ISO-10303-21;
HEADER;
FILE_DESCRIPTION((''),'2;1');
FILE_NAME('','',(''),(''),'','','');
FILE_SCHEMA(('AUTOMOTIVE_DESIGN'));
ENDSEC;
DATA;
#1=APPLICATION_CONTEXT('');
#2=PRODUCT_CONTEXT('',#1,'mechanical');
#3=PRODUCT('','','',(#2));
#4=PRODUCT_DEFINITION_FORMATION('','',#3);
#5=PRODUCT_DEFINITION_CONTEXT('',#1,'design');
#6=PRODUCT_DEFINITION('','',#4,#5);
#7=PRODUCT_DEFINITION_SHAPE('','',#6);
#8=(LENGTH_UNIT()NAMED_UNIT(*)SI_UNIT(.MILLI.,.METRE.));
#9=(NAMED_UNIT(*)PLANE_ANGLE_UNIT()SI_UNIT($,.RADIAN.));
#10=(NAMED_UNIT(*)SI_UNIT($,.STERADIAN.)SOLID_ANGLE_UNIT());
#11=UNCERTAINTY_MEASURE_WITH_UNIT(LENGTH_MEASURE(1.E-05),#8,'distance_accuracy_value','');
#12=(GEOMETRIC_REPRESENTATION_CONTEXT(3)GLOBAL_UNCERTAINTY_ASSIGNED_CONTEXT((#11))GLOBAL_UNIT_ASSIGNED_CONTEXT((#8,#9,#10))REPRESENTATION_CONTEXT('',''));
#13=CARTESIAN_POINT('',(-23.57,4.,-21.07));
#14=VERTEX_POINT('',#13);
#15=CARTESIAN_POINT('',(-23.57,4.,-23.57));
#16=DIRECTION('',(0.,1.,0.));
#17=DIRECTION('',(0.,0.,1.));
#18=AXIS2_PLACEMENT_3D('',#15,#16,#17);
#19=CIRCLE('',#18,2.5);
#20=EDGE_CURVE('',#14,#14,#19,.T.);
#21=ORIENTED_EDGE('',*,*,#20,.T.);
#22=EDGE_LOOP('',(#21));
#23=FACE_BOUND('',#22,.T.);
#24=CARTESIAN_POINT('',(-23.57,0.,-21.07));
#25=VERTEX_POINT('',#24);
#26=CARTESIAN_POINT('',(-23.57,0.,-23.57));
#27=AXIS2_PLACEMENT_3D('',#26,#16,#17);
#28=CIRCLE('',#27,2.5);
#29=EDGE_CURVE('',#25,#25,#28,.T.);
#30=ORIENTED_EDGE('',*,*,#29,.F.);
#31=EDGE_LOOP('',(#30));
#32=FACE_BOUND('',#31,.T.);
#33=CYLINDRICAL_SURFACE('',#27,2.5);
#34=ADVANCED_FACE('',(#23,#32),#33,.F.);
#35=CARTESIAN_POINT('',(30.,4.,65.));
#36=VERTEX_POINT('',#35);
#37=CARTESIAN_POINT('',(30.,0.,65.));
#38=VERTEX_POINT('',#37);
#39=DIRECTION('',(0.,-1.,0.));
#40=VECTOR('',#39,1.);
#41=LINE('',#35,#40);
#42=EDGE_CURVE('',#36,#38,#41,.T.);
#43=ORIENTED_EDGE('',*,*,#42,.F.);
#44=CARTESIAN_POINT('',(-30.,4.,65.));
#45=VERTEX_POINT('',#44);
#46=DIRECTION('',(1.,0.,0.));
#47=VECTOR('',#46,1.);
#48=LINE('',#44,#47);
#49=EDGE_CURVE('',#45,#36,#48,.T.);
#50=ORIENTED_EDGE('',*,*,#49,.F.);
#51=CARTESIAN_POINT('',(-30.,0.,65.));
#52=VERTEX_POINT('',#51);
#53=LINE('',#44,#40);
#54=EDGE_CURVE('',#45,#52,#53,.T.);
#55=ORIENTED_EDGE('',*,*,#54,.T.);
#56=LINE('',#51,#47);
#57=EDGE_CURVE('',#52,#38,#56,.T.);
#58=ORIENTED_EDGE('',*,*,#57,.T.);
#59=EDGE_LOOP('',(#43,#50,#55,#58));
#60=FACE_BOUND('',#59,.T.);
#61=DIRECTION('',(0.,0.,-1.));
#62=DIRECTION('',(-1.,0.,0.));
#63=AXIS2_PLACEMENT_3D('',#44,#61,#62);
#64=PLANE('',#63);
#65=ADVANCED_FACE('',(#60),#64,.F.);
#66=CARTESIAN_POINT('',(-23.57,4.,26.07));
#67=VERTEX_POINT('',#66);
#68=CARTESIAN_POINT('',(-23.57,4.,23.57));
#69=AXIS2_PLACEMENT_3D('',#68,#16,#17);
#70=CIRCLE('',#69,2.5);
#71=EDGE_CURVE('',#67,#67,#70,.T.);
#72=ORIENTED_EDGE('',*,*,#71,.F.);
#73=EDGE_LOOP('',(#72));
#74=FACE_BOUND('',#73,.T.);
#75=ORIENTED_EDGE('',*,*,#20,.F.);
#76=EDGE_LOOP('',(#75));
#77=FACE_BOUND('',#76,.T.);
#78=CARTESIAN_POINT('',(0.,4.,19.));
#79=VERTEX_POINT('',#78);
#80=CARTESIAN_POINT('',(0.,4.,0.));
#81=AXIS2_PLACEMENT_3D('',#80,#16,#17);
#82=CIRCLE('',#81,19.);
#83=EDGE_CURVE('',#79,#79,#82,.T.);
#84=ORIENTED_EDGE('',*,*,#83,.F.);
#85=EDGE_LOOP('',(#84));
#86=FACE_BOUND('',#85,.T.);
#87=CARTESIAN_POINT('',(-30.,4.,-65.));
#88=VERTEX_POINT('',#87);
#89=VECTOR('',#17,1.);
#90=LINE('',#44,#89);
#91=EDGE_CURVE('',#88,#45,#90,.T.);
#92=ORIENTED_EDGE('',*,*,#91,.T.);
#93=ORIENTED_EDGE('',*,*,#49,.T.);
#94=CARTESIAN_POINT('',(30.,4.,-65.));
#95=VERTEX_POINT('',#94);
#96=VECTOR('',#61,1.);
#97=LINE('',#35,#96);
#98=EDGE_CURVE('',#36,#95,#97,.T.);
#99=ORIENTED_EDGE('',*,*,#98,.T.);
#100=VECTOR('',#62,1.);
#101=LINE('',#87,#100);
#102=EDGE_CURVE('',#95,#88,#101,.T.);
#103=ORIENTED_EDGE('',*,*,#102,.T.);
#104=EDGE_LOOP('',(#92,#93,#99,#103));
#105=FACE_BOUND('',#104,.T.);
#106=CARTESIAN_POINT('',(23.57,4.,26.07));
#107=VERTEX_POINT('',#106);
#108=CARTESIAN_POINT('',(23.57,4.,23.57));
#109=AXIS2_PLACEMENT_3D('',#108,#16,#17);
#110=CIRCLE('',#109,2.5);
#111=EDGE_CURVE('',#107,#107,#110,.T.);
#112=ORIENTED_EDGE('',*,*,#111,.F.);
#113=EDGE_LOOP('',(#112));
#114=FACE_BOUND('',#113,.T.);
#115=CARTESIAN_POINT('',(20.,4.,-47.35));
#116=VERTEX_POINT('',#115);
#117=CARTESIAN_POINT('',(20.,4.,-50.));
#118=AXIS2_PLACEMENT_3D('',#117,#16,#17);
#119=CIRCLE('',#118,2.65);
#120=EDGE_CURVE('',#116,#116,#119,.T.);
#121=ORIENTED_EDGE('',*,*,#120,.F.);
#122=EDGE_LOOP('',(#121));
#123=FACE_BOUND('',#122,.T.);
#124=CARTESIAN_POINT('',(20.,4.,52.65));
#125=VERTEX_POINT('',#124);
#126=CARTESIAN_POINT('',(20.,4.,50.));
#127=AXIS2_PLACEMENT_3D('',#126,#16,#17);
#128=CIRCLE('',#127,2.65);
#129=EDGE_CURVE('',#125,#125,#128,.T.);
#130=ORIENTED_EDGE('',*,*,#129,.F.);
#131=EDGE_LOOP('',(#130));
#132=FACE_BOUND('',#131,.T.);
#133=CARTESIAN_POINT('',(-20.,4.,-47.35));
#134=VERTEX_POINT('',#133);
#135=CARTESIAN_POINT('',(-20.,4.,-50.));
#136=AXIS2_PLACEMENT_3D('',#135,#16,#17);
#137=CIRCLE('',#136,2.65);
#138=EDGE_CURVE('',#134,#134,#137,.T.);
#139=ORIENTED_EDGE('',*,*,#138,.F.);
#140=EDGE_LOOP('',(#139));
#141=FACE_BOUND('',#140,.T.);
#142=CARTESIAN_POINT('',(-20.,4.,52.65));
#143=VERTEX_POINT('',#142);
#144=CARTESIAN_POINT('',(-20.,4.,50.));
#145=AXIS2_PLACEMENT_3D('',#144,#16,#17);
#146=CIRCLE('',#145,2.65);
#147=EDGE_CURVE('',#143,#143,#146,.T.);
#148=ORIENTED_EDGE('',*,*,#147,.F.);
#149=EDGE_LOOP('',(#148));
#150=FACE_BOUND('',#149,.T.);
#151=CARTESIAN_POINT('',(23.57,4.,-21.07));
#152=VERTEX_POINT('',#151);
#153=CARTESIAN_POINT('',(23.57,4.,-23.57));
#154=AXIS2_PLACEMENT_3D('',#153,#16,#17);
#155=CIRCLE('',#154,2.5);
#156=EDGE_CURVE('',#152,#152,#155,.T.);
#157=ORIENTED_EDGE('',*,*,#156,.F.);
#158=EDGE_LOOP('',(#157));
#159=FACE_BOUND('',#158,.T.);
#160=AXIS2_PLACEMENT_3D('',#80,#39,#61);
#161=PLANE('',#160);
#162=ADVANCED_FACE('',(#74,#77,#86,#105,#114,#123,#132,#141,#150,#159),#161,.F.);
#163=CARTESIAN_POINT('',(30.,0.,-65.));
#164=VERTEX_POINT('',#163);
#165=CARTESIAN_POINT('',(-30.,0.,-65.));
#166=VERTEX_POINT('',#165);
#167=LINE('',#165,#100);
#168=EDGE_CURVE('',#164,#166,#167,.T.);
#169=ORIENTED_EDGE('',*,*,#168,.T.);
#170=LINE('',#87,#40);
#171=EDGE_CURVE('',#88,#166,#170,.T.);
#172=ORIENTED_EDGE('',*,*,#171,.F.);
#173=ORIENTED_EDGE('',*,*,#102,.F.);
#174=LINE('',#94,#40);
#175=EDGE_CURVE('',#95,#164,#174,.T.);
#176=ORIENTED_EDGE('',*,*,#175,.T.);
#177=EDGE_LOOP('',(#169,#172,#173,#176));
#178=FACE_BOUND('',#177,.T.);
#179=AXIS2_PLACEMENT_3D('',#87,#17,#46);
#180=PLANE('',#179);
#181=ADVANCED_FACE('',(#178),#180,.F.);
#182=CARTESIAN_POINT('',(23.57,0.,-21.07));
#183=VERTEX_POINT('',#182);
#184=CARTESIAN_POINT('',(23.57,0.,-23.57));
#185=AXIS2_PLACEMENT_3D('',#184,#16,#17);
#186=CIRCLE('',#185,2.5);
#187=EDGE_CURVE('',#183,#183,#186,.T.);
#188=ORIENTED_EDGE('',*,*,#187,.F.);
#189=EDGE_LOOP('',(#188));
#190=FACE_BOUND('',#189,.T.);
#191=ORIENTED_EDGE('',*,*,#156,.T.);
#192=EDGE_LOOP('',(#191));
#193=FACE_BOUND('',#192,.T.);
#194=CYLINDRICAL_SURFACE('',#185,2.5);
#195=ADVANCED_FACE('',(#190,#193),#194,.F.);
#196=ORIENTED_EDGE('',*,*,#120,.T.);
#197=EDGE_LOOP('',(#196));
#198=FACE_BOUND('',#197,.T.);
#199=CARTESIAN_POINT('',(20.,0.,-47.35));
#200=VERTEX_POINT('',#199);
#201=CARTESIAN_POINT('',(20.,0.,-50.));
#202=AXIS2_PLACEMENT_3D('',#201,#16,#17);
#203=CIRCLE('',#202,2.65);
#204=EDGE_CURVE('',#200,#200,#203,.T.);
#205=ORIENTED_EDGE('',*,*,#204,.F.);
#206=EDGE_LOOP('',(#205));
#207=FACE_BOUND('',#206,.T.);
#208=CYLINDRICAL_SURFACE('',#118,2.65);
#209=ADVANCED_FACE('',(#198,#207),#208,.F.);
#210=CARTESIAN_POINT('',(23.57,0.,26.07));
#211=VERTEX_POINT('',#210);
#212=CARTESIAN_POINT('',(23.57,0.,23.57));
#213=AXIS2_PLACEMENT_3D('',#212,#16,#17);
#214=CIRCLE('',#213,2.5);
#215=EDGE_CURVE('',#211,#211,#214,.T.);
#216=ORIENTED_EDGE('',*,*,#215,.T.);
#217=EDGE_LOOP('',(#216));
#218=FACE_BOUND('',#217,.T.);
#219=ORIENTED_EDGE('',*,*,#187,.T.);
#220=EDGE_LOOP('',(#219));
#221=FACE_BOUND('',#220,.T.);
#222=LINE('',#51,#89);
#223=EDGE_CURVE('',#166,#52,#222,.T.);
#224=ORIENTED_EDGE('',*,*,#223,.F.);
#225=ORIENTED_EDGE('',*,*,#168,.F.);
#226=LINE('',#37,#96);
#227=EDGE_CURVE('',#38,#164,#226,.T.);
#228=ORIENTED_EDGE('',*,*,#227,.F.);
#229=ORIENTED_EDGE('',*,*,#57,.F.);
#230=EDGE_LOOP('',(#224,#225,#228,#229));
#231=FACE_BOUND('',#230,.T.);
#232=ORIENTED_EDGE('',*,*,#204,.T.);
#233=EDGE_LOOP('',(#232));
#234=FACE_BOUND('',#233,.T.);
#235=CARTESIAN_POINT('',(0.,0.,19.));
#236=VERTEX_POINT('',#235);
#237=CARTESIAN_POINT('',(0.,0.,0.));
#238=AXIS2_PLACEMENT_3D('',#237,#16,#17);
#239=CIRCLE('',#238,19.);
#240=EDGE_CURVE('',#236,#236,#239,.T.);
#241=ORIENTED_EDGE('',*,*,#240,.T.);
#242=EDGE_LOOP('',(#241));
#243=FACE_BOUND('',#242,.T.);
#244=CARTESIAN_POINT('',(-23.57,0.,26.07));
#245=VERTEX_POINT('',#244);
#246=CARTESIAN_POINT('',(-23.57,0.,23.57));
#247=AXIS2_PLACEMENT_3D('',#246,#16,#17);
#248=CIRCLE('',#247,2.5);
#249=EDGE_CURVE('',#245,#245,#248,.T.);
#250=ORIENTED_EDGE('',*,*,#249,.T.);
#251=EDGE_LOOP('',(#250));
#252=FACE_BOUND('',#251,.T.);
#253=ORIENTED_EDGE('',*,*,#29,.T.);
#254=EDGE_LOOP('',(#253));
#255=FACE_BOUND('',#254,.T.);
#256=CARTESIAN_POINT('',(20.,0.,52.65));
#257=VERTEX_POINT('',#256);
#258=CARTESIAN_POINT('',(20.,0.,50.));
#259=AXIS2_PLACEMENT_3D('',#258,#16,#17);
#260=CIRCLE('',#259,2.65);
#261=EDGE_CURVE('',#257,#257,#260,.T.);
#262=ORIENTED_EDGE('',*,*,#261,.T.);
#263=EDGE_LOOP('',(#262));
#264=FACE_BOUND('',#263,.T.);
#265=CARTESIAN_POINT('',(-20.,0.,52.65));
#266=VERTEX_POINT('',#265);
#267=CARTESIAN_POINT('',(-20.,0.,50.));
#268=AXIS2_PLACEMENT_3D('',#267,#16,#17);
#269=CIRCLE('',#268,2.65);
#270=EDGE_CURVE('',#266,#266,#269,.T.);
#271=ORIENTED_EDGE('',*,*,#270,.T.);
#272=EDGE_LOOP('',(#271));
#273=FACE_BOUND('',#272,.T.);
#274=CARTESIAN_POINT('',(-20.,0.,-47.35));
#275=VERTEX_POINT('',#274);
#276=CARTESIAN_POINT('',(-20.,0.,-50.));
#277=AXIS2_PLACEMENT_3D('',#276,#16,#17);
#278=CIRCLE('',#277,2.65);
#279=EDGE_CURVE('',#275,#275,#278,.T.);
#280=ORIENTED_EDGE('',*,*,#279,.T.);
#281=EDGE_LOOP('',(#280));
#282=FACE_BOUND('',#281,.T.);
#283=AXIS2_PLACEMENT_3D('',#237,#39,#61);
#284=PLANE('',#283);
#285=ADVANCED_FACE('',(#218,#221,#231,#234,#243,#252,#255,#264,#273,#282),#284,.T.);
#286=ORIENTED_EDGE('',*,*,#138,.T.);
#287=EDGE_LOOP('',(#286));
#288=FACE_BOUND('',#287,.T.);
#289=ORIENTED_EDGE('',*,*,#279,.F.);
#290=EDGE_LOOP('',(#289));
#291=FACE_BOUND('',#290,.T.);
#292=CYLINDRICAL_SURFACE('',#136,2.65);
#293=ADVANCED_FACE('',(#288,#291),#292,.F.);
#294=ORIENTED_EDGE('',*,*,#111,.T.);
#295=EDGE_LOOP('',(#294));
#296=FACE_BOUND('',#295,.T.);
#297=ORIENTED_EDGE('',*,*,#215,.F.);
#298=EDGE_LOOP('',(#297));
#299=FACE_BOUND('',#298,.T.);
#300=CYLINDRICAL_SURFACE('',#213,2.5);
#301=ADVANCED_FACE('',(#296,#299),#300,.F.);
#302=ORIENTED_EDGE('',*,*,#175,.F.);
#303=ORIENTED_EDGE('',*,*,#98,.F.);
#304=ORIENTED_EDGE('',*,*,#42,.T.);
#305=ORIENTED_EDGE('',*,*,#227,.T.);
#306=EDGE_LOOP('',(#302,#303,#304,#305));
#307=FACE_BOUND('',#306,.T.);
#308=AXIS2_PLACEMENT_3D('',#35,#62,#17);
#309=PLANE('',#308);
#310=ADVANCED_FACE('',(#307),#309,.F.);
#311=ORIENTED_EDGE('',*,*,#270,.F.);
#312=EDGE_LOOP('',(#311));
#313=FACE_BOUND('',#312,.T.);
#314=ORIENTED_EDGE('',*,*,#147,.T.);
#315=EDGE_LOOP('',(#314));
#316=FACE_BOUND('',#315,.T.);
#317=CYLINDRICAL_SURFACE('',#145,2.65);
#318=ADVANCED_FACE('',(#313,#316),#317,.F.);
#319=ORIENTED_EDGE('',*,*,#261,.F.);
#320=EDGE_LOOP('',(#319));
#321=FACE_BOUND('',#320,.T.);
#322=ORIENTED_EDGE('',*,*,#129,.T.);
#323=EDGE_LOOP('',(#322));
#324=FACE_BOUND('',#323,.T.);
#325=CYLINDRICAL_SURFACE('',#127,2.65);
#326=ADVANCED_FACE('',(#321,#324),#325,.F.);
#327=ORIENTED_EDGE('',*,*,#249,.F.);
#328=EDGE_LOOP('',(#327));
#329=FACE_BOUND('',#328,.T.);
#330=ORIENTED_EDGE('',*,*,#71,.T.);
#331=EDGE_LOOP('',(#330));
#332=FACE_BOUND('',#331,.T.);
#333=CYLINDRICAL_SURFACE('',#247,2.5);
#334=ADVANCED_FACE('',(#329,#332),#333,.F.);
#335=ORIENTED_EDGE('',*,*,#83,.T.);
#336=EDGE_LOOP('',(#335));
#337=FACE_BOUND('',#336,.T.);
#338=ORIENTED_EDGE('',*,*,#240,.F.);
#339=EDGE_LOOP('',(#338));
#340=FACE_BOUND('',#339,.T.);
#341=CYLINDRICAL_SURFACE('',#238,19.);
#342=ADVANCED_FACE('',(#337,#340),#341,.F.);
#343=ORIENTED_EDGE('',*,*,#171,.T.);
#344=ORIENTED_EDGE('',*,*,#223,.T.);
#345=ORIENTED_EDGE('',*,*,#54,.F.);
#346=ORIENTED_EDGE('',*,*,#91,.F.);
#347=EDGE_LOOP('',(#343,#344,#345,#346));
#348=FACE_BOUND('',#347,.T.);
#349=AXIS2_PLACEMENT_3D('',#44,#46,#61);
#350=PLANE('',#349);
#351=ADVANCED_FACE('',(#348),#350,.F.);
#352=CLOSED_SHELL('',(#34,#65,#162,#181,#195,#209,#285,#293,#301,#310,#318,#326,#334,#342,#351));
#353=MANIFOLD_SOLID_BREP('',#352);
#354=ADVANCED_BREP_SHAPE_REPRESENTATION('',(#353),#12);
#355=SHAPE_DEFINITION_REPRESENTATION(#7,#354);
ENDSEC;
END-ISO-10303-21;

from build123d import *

# Parameters (mm, degrees)
ESBO_O1_W                = 60
ESBO_O1_H                = 130
RESSALTO_EXTRUS_O1_DEPTH = 4
ESBO_O2_R                = 19
ESBO_O2_R_2              = 2.5
CORTE_EXTRUS_O1_DEPTH    = 72.700767081
FURO_COM_FOLGA_DE_M51_D  = 5.3


with BuildPart() as part:
    # Esboço1 → Ressalto-extrusão1 (new body)
    with BuildSketch(Plane(origin=(0, 0, 0), x_dir=(1, 0, 0), z_dir=(0, 1, 0))):
        Rectangle(ESBO_O1_W, ESBO_O1_H)
    extrude(amount=RESSALTO_EXTRUS_O1_DEPTH)

    # Esboço2 → Corte-extrusão1 (cut, through all)
    with BuildSketch(Plane(origin=(0, 4, 0), x_dir=(1, 0, 0), z_dir=(0, 1, 0))):
        with Locations(Location((0, 0, 0), (0, 0, 270))):
            Circle(ESBO_O2_R)
        with Locations(Location((-23.57, 23.57, 0), (0, 0, 270))):
            Circle(ESBO_O2_R_2)
        with Locations(Location((23.57, 23.57, 0), (0, 0, 270))):
            Circle(ESBO_O2_R_2)
        with Locations(Location((23.57, -23.57, 0), (0, 0, 270))):
            Circle(ESBO_O2_R_2)
        with Locations(Location((-23.57, -23.57, 0), (0, 0, 270))):
            Circle(ESBO_O2_R_2)
    extrude(amount=-CORTE_EXTRUS_O1_DEPTH, mode=Mode.SUBTRACT)

    # Furo com folga de M51 (through all)
    with Locations(Plane(origin=(0, 4, 0), x_dir=(1, 0, 0), z_dir=(0, 1, 0))):
        with Locations((-20, -50), (20, -50), (-20, 50), (20, 50)):
            Hole(FURO_COM_FOLGA_DE_M51_D / 2)


solid = part.part
